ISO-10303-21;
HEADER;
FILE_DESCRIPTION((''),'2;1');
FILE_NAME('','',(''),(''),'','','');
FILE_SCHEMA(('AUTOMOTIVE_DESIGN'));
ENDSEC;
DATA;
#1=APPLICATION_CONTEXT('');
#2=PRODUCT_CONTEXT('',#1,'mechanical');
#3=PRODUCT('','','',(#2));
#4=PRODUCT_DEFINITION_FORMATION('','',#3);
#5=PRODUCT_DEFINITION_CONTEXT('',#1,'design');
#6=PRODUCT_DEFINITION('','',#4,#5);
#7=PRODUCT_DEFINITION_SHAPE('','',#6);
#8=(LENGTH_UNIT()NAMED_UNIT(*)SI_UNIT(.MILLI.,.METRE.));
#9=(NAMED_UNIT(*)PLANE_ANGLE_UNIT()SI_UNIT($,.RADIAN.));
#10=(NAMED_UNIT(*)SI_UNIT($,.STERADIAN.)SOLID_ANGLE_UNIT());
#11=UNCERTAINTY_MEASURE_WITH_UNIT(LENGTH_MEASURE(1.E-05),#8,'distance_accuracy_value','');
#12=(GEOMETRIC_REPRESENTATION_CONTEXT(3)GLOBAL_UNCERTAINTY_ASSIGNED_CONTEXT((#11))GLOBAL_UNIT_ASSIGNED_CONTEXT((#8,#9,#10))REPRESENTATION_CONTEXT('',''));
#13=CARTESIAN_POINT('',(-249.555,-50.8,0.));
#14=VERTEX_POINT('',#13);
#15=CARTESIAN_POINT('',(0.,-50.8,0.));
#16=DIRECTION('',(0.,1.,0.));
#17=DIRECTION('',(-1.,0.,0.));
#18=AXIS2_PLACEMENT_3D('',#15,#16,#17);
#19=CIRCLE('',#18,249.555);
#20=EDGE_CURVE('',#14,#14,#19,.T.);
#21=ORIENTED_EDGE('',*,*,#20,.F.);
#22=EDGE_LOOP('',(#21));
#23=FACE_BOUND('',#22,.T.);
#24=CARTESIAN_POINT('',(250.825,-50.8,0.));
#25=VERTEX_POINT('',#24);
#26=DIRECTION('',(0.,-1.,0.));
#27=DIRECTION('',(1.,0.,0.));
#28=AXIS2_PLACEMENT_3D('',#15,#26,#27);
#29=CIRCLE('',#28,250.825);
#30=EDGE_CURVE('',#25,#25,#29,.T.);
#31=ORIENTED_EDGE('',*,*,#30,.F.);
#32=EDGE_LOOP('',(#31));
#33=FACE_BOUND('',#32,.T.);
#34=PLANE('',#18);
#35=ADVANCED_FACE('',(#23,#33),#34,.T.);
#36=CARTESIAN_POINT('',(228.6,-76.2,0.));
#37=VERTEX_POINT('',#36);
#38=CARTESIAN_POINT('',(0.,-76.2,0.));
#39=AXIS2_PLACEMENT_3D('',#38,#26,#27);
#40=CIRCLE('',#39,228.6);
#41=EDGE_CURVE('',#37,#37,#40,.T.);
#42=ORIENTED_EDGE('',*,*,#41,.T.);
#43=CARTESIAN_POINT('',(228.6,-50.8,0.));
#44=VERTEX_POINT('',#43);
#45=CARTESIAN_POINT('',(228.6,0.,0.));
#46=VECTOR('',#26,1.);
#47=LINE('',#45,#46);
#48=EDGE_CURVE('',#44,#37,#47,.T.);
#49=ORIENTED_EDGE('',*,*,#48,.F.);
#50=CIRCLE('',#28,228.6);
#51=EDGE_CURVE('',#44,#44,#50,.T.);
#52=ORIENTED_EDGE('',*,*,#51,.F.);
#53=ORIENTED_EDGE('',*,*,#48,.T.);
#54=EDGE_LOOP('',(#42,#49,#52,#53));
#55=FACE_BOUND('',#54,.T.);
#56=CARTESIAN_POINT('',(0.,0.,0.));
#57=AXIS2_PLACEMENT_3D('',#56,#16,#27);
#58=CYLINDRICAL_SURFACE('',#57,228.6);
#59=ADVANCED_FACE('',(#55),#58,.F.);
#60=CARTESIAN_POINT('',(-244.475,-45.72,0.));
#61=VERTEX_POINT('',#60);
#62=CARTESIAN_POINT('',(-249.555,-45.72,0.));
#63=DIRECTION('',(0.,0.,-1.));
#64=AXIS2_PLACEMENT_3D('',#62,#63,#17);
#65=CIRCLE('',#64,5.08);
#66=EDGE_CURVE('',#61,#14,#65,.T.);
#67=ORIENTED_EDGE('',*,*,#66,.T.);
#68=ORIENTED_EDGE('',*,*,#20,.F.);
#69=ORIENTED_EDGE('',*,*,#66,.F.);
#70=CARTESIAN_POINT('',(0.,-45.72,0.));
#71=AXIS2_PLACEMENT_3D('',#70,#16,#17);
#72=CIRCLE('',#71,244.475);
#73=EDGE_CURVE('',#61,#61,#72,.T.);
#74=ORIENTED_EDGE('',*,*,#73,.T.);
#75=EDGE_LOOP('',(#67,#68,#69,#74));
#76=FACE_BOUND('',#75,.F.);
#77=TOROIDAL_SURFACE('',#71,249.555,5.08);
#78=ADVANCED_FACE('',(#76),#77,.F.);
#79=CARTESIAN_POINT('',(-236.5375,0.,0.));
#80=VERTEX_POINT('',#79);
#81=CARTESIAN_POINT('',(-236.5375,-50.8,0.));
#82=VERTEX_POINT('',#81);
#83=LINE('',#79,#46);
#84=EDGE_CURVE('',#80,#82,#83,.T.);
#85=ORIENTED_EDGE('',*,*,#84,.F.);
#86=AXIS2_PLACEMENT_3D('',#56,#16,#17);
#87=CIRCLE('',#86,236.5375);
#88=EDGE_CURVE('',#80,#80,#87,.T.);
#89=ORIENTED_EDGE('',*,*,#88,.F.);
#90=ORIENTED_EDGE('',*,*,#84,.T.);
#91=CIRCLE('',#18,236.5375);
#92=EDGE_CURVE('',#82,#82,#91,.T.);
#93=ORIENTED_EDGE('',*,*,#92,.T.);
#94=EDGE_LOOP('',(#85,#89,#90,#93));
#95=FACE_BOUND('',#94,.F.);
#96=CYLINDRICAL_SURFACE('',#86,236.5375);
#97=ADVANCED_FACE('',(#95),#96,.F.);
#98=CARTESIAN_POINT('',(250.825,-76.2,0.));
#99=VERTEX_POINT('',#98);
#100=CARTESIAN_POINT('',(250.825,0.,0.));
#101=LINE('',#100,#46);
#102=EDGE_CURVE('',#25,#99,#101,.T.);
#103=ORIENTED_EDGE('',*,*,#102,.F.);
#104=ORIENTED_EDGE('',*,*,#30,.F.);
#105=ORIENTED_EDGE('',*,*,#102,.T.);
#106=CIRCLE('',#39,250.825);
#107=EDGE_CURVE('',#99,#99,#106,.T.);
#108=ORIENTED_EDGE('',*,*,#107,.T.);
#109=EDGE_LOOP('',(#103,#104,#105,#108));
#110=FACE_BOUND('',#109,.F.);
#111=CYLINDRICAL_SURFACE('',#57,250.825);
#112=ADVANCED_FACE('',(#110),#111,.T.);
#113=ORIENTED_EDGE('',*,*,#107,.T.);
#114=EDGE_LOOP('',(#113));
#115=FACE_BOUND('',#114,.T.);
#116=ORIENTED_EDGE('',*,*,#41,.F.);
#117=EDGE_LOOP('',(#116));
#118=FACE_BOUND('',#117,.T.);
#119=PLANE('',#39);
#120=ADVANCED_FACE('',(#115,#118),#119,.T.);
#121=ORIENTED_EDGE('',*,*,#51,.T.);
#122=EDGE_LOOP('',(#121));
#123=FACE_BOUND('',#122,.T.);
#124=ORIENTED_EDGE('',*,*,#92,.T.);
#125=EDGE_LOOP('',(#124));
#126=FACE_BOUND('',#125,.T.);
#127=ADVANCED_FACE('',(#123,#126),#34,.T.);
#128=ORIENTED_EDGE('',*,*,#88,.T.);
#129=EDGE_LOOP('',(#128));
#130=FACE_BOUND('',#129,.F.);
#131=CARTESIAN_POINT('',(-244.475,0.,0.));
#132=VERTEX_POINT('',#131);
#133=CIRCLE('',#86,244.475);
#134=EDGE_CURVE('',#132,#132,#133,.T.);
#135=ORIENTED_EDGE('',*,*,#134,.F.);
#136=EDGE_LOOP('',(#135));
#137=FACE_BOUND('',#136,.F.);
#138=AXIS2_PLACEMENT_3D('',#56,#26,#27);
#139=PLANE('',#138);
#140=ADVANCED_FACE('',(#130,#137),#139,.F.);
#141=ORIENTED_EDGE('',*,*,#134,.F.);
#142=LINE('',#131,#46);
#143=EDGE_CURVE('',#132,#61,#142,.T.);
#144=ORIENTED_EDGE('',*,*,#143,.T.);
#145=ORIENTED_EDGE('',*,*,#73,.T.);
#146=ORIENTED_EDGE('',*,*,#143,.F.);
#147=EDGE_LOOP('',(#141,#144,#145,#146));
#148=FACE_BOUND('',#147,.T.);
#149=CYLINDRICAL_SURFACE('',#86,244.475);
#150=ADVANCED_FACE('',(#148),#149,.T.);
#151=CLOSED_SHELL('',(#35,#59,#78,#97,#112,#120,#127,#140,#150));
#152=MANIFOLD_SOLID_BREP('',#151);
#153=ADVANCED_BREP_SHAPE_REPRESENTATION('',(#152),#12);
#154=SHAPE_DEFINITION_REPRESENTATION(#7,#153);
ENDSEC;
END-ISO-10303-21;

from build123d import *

# Parameters (mm, degrees)
F0_R     = 250.825
F0_R_2   = 228.6
F1_DEPTH = 76.2
F2_R     = 250.825
F2_R_2   = 244.475
F3_DEPTH = 50.8
F4_R     = 5.08
F5_R     = 236.5375
F5_R_2   = 228.6
F6_DEPTH = 50.8


with BuildPart() as f1:
    # F0 (on Front) → F1 (new body)
    with BuildSketch(Plane.XZ):
        Circle(F0_R)
        Circle(F0_R_2, mode=Mode.SUBTRACT)
    extrude(amount=F1_DEPTH)

    # F2 (on face) → F3 (cut)
    with BuildSketch(Plane(origin=(0, 0, 0), x_dir=(-1, 0, 0), z_dir=(0, 1, 0))):
        Circle(F2_R)
        Circle(F2_R_2, mode=Mode.SUBTRACT)
    extrude(amount=-F3_DEPTH, mode=Mode.SUBTRACT)

    # F4
    f4_edges = [f1.edges().sort_by_distance(p)[0] for p in [
        (244.475, -50.8, 0),
    ]]
    fillet(f4_edges, radius=F4_R)

    # F5 (on face) → F6 (cut)
    with BuildSketch(Plane(origin=(0, 0, 0), x_dir=(-1, 0, 0), z_dir=(0, 1, 0))):
        Circle(F5_R)
        Circle(F5_R_2, mode=Mode.SUBTRACT)
    extrude(amount=-F6_DEPTH, mode=Mode.SUBTRACT)


solid = f1.part
